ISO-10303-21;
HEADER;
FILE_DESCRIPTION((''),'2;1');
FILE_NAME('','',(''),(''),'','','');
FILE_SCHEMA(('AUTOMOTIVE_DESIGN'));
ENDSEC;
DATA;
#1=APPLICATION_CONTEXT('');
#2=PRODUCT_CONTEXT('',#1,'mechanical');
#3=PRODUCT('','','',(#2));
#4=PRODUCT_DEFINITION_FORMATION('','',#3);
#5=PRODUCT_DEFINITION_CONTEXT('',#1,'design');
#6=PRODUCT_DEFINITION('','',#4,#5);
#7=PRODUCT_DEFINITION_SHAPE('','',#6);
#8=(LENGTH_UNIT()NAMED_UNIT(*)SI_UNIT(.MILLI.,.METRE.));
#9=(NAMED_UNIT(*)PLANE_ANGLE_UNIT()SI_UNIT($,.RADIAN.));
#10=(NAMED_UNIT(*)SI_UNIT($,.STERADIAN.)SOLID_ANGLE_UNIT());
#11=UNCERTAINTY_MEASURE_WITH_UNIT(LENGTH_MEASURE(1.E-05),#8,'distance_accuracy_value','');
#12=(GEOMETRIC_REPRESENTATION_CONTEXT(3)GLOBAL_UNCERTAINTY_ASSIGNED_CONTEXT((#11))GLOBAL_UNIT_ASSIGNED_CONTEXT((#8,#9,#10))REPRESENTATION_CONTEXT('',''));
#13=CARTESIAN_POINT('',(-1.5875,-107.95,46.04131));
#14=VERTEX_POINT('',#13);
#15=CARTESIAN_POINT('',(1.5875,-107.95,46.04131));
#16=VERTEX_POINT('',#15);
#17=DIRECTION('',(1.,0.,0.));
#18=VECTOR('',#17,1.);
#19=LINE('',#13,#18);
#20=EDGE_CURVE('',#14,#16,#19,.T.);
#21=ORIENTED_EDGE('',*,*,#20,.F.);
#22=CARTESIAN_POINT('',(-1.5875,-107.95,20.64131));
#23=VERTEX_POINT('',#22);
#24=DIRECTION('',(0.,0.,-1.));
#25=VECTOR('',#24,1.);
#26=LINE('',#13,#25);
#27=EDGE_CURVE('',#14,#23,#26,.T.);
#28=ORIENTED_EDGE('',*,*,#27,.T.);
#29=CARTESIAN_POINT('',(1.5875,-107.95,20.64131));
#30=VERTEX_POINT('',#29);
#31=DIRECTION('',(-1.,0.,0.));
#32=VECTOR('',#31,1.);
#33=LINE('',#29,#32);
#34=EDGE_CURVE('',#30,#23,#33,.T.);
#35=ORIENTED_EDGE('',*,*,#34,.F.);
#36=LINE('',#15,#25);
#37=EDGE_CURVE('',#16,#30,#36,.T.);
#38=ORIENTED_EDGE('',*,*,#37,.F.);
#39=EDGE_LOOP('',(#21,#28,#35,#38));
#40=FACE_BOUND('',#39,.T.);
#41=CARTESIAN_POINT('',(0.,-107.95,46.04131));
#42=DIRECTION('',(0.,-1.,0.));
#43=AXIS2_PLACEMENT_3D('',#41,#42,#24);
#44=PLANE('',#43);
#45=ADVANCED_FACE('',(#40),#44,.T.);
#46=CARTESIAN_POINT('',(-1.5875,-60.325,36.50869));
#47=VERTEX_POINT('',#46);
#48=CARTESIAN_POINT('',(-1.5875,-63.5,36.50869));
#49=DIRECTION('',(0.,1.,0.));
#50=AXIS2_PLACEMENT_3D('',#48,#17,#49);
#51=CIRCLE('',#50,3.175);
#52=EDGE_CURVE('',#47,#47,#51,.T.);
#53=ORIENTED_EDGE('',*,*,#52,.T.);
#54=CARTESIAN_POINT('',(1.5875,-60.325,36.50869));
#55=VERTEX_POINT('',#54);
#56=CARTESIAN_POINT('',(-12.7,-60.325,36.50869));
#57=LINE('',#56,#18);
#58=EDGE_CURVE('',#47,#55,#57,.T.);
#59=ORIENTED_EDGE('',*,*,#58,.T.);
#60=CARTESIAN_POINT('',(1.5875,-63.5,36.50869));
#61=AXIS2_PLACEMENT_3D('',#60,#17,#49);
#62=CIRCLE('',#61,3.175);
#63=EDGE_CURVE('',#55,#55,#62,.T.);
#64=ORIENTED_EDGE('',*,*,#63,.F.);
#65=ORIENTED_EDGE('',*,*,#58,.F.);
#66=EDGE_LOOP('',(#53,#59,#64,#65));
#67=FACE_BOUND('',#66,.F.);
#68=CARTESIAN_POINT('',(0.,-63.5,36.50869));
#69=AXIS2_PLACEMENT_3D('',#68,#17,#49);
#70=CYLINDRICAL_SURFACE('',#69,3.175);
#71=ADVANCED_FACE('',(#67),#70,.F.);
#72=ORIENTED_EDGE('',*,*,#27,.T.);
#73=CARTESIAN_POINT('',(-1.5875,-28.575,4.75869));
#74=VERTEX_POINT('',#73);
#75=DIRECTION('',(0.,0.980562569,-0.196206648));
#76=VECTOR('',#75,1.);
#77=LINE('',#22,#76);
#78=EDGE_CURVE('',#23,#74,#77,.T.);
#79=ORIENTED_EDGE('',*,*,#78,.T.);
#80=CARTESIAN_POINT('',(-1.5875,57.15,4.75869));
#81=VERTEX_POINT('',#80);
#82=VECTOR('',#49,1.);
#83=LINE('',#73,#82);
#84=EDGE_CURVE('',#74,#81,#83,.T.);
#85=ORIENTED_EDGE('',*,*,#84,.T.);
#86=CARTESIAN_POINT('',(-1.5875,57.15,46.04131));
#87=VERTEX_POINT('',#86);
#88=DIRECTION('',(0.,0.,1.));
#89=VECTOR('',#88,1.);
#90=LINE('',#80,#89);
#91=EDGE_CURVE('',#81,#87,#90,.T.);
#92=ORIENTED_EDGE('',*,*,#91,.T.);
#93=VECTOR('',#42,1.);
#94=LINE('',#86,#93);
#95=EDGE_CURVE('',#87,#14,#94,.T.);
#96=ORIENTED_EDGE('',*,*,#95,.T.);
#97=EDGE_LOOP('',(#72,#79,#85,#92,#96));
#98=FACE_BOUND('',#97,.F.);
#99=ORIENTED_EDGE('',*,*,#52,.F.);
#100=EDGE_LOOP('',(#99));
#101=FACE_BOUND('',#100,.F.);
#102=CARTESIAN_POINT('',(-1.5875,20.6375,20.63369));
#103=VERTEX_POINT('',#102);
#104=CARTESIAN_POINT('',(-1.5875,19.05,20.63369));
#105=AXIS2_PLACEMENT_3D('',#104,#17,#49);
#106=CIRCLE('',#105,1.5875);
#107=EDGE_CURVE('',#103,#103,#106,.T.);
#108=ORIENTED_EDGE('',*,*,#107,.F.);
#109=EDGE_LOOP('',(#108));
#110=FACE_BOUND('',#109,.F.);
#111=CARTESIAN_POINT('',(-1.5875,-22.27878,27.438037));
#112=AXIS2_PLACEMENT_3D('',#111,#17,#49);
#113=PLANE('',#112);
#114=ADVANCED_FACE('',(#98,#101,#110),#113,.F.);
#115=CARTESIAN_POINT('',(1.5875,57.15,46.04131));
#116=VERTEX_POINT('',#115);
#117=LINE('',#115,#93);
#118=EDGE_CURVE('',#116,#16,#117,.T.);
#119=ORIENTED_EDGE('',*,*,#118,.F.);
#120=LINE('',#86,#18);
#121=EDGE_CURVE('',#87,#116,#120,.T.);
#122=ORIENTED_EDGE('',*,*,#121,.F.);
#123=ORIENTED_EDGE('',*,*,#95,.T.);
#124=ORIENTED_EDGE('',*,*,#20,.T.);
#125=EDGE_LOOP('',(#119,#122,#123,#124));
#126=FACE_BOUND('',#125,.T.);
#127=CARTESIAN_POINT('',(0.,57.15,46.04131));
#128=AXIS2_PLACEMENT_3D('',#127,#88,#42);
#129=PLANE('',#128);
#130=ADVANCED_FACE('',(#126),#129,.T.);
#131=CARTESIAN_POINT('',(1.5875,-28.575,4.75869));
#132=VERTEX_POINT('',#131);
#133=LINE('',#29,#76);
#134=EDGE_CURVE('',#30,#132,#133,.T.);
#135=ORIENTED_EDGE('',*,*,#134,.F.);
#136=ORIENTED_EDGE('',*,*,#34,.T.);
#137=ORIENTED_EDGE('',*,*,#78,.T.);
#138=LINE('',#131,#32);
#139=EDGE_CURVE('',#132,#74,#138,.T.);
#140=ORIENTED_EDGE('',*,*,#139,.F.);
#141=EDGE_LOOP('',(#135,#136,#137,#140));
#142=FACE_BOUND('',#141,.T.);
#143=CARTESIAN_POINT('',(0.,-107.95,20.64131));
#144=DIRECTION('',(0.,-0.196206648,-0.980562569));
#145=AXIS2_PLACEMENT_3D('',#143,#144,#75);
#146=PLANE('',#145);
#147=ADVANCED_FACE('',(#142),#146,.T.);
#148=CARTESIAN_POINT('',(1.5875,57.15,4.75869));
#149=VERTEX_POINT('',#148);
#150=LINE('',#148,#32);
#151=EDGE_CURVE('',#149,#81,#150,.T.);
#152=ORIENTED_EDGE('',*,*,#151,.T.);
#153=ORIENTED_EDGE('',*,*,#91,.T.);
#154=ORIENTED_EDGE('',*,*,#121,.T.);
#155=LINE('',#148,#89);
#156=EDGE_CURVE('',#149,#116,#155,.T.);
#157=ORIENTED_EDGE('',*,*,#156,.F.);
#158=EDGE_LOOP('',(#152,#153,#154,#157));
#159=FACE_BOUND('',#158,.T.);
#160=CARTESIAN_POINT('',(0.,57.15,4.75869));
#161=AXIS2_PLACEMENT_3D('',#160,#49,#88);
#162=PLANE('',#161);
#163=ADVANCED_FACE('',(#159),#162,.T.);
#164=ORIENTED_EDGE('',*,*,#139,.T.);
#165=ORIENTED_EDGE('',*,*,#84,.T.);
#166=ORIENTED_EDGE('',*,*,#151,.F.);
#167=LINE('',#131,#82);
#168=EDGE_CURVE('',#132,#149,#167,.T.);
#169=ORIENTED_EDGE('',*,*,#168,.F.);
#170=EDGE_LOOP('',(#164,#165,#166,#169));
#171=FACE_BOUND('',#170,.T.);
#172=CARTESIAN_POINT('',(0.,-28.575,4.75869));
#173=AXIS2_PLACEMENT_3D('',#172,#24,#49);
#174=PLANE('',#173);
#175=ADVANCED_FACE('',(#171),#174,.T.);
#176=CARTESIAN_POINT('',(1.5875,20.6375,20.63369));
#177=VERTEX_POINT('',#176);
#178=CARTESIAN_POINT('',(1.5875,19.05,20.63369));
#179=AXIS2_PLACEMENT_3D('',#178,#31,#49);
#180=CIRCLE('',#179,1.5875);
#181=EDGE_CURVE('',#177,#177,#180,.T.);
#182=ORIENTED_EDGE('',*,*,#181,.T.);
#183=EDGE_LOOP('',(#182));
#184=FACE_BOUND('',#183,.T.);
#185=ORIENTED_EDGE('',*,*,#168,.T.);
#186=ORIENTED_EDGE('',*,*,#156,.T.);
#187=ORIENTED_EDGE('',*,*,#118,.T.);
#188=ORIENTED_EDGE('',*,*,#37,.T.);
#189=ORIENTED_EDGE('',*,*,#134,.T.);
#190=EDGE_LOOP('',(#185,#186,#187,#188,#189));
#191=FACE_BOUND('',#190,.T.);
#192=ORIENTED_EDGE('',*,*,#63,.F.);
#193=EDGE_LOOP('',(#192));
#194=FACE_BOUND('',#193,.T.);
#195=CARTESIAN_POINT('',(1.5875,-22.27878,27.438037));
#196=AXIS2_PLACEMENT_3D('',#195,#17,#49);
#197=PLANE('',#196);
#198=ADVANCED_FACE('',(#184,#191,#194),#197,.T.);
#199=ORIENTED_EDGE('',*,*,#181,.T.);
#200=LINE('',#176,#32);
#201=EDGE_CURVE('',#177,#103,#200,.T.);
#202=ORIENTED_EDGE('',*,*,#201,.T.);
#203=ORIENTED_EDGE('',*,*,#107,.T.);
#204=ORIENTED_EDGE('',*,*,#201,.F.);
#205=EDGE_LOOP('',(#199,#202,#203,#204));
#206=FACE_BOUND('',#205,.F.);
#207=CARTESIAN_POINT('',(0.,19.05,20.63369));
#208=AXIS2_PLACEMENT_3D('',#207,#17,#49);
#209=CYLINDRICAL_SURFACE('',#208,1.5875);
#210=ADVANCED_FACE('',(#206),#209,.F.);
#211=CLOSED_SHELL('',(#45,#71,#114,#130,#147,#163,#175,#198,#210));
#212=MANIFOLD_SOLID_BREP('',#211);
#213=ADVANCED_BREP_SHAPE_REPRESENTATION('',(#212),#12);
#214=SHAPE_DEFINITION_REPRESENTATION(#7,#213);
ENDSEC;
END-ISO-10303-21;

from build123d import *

# Parameters (mm, degrees)
F3_DEPTH = 1.5875
F1_R     = 1.5875
F1_R_2   = 3.175
F4_DEPTH = 12.7


with BuildPart() as f3:
    # F0 (on Right) → F3 (new body, symmetric)
    with BuildSketch(Plane.YZ):
        Polygon((57.15, 4.75869), (57.15, 46.04131), (-107.95, 46.04131), (-107.95, 20.64131), (-28.575, 4.75869), align=None)
    extrude(amount=F3_DEPTH, both=True)

    # F1 (on Right) → F4 (cut, symmetric)
    with BuildSketch(Plane.YZ):
        with Locations((19.05, 20.63369)):
            Circle(F1_R)
        with Locations((-63.5, 36.50869)):
            Circle(F1_R_2)
    extrude(amount=F4_DEPTH, both=True, mode=Mode.SUBTRACT)


solid = f3.part
